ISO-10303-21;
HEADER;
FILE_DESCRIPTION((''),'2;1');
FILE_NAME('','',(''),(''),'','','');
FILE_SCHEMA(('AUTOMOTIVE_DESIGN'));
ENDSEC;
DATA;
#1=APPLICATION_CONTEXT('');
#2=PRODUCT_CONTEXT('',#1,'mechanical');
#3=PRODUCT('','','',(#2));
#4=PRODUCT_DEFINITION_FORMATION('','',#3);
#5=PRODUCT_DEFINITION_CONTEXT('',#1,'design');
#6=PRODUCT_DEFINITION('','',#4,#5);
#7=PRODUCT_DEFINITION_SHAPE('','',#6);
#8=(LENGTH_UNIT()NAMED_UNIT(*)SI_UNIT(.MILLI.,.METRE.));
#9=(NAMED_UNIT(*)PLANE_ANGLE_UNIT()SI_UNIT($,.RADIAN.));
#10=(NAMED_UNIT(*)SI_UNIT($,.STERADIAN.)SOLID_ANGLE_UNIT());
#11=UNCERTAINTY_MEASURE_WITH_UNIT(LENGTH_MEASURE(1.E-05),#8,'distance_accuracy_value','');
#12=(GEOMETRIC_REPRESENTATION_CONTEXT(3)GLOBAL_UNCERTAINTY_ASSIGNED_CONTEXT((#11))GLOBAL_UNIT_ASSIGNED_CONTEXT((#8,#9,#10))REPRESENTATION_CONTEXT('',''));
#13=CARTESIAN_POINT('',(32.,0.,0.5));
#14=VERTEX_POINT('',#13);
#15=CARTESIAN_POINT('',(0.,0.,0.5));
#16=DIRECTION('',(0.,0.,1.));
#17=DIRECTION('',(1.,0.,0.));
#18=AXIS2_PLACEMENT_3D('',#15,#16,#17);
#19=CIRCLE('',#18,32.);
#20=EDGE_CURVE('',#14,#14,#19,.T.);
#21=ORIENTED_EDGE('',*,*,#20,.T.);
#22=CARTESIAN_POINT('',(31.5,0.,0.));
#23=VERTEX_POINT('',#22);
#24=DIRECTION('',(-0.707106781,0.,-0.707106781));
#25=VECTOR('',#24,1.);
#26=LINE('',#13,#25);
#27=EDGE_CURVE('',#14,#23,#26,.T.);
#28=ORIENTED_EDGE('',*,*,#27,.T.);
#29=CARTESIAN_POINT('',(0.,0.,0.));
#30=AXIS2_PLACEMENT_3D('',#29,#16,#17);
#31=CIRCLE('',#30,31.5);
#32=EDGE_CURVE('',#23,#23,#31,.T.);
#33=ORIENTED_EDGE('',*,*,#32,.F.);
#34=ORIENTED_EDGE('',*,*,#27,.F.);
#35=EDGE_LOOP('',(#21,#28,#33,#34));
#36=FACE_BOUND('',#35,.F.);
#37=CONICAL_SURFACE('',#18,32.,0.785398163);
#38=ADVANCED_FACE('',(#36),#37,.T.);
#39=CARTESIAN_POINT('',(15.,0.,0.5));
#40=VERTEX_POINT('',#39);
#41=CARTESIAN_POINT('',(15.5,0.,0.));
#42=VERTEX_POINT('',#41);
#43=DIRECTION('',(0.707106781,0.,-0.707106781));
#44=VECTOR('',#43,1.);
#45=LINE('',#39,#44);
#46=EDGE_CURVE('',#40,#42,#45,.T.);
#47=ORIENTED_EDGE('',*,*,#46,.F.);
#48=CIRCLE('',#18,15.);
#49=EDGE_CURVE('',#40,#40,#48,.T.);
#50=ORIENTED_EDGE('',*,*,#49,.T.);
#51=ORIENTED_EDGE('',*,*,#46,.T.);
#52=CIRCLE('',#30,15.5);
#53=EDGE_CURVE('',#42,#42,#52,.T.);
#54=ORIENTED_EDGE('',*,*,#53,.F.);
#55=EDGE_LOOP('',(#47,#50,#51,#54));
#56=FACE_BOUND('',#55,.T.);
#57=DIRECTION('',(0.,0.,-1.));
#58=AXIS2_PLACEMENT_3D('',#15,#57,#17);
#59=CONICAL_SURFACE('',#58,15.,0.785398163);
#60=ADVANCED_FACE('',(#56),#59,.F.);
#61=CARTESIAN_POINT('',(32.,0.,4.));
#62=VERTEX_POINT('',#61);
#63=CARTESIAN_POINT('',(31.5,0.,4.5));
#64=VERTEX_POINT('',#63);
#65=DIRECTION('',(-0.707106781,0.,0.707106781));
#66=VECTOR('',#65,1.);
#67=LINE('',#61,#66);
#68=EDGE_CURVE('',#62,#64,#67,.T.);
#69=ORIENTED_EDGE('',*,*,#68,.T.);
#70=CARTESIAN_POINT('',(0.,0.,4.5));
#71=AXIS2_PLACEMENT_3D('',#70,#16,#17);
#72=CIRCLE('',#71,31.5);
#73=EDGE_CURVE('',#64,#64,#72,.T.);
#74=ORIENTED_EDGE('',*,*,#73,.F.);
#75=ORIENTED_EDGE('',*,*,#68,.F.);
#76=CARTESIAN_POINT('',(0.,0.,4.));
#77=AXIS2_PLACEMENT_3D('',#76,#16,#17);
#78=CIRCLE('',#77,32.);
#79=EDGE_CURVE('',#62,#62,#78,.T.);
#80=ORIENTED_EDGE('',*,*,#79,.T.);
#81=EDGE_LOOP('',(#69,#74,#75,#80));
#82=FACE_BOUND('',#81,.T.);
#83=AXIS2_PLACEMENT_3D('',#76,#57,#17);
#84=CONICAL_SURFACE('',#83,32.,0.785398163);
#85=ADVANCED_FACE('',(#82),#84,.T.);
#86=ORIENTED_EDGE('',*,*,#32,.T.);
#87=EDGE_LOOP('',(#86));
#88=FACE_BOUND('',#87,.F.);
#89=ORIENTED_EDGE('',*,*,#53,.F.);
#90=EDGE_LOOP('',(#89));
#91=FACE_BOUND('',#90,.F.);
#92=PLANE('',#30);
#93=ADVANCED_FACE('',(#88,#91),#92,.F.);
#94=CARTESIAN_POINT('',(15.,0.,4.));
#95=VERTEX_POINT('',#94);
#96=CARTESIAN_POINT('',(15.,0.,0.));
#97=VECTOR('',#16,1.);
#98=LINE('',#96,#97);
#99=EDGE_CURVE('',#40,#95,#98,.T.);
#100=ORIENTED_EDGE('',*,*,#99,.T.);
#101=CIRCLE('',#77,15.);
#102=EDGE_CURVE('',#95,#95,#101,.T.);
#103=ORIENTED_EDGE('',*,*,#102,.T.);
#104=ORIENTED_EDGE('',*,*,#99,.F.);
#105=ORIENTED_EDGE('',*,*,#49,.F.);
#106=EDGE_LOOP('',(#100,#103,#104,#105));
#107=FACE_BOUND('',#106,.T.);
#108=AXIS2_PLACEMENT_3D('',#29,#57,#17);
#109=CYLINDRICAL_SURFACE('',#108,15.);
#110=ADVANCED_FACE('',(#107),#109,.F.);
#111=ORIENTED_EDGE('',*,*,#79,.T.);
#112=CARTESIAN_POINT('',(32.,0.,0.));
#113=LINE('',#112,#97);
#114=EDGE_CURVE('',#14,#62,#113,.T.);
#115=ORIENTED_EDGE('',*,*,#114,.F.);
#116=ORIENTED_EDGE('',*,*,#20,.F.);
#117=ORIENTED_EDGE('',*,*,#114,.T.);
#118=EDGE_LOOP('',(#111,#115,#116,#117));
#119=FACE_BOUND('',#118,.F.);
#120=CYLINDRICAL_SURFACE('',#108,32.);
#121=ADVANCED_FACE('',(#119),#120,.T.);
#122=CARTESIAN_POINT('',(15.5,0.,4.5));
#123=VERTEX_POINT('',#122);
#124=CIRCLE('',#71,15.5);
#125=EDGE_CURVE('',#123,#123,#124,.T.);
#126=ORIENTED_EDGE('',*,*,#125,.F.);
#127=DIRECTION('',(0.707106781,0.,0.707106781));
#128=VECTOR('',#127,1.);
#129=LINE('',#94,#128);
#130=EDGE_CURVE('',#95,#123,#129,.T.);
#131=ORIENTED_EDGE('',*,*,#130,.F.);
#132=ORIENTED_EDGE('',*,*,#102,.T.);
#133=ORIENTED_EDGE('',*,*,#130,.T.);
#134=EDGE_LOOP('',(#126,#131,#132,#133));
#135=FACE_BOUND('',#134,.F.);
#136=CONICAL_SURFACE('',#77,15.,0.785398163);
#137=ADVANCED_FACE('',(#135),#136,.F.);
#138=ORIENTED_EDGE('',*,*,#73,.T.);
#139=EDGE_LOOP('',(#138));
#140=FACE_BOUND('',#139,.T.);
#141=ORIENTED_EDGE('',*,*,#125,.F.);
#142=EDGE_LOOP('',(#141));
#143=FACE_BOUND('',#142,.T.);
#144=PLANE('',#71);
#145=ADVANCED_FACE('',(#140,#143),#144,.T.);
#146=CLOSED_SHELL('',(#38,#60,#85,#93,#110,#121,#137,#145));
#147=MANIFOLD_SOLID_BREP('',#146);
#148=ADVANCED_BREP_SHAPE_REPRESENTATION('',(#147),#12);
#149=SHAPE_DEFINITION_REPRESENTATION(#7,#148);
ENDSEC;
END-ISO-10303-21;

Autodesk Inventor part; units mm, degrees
ref_plane "YZ Plane" through (0, 0, 0) normal (1, 0, 0) x (0, 1, 0)
ref_plane "XZ Plane" through (0, 0, 0) normal (0, 1, 0) x (-1, 0, 0)
ref_plane "XY Plane" through (0, 0, 0) normal (0, 0, 1) x (1, 0, 0)
sketch "草图1" plane through (0, 0, 0) normal (0, 0, 1) x (1, 0, 0)
  circle A0 centre (0, 0) radius 32
  circle A1 centre (0, 0) radius 15
extrude "拉伸1" add sketch "草图1" along normal blind 4.5
chamfer "倒角1" distance 0.5 angle 45 4 edges at (-15, 0, 4.5) (-15, 0, 0) (-32, 0, 4.5) (-32, 0, 0)
properties part number "my_attempt_v2"
